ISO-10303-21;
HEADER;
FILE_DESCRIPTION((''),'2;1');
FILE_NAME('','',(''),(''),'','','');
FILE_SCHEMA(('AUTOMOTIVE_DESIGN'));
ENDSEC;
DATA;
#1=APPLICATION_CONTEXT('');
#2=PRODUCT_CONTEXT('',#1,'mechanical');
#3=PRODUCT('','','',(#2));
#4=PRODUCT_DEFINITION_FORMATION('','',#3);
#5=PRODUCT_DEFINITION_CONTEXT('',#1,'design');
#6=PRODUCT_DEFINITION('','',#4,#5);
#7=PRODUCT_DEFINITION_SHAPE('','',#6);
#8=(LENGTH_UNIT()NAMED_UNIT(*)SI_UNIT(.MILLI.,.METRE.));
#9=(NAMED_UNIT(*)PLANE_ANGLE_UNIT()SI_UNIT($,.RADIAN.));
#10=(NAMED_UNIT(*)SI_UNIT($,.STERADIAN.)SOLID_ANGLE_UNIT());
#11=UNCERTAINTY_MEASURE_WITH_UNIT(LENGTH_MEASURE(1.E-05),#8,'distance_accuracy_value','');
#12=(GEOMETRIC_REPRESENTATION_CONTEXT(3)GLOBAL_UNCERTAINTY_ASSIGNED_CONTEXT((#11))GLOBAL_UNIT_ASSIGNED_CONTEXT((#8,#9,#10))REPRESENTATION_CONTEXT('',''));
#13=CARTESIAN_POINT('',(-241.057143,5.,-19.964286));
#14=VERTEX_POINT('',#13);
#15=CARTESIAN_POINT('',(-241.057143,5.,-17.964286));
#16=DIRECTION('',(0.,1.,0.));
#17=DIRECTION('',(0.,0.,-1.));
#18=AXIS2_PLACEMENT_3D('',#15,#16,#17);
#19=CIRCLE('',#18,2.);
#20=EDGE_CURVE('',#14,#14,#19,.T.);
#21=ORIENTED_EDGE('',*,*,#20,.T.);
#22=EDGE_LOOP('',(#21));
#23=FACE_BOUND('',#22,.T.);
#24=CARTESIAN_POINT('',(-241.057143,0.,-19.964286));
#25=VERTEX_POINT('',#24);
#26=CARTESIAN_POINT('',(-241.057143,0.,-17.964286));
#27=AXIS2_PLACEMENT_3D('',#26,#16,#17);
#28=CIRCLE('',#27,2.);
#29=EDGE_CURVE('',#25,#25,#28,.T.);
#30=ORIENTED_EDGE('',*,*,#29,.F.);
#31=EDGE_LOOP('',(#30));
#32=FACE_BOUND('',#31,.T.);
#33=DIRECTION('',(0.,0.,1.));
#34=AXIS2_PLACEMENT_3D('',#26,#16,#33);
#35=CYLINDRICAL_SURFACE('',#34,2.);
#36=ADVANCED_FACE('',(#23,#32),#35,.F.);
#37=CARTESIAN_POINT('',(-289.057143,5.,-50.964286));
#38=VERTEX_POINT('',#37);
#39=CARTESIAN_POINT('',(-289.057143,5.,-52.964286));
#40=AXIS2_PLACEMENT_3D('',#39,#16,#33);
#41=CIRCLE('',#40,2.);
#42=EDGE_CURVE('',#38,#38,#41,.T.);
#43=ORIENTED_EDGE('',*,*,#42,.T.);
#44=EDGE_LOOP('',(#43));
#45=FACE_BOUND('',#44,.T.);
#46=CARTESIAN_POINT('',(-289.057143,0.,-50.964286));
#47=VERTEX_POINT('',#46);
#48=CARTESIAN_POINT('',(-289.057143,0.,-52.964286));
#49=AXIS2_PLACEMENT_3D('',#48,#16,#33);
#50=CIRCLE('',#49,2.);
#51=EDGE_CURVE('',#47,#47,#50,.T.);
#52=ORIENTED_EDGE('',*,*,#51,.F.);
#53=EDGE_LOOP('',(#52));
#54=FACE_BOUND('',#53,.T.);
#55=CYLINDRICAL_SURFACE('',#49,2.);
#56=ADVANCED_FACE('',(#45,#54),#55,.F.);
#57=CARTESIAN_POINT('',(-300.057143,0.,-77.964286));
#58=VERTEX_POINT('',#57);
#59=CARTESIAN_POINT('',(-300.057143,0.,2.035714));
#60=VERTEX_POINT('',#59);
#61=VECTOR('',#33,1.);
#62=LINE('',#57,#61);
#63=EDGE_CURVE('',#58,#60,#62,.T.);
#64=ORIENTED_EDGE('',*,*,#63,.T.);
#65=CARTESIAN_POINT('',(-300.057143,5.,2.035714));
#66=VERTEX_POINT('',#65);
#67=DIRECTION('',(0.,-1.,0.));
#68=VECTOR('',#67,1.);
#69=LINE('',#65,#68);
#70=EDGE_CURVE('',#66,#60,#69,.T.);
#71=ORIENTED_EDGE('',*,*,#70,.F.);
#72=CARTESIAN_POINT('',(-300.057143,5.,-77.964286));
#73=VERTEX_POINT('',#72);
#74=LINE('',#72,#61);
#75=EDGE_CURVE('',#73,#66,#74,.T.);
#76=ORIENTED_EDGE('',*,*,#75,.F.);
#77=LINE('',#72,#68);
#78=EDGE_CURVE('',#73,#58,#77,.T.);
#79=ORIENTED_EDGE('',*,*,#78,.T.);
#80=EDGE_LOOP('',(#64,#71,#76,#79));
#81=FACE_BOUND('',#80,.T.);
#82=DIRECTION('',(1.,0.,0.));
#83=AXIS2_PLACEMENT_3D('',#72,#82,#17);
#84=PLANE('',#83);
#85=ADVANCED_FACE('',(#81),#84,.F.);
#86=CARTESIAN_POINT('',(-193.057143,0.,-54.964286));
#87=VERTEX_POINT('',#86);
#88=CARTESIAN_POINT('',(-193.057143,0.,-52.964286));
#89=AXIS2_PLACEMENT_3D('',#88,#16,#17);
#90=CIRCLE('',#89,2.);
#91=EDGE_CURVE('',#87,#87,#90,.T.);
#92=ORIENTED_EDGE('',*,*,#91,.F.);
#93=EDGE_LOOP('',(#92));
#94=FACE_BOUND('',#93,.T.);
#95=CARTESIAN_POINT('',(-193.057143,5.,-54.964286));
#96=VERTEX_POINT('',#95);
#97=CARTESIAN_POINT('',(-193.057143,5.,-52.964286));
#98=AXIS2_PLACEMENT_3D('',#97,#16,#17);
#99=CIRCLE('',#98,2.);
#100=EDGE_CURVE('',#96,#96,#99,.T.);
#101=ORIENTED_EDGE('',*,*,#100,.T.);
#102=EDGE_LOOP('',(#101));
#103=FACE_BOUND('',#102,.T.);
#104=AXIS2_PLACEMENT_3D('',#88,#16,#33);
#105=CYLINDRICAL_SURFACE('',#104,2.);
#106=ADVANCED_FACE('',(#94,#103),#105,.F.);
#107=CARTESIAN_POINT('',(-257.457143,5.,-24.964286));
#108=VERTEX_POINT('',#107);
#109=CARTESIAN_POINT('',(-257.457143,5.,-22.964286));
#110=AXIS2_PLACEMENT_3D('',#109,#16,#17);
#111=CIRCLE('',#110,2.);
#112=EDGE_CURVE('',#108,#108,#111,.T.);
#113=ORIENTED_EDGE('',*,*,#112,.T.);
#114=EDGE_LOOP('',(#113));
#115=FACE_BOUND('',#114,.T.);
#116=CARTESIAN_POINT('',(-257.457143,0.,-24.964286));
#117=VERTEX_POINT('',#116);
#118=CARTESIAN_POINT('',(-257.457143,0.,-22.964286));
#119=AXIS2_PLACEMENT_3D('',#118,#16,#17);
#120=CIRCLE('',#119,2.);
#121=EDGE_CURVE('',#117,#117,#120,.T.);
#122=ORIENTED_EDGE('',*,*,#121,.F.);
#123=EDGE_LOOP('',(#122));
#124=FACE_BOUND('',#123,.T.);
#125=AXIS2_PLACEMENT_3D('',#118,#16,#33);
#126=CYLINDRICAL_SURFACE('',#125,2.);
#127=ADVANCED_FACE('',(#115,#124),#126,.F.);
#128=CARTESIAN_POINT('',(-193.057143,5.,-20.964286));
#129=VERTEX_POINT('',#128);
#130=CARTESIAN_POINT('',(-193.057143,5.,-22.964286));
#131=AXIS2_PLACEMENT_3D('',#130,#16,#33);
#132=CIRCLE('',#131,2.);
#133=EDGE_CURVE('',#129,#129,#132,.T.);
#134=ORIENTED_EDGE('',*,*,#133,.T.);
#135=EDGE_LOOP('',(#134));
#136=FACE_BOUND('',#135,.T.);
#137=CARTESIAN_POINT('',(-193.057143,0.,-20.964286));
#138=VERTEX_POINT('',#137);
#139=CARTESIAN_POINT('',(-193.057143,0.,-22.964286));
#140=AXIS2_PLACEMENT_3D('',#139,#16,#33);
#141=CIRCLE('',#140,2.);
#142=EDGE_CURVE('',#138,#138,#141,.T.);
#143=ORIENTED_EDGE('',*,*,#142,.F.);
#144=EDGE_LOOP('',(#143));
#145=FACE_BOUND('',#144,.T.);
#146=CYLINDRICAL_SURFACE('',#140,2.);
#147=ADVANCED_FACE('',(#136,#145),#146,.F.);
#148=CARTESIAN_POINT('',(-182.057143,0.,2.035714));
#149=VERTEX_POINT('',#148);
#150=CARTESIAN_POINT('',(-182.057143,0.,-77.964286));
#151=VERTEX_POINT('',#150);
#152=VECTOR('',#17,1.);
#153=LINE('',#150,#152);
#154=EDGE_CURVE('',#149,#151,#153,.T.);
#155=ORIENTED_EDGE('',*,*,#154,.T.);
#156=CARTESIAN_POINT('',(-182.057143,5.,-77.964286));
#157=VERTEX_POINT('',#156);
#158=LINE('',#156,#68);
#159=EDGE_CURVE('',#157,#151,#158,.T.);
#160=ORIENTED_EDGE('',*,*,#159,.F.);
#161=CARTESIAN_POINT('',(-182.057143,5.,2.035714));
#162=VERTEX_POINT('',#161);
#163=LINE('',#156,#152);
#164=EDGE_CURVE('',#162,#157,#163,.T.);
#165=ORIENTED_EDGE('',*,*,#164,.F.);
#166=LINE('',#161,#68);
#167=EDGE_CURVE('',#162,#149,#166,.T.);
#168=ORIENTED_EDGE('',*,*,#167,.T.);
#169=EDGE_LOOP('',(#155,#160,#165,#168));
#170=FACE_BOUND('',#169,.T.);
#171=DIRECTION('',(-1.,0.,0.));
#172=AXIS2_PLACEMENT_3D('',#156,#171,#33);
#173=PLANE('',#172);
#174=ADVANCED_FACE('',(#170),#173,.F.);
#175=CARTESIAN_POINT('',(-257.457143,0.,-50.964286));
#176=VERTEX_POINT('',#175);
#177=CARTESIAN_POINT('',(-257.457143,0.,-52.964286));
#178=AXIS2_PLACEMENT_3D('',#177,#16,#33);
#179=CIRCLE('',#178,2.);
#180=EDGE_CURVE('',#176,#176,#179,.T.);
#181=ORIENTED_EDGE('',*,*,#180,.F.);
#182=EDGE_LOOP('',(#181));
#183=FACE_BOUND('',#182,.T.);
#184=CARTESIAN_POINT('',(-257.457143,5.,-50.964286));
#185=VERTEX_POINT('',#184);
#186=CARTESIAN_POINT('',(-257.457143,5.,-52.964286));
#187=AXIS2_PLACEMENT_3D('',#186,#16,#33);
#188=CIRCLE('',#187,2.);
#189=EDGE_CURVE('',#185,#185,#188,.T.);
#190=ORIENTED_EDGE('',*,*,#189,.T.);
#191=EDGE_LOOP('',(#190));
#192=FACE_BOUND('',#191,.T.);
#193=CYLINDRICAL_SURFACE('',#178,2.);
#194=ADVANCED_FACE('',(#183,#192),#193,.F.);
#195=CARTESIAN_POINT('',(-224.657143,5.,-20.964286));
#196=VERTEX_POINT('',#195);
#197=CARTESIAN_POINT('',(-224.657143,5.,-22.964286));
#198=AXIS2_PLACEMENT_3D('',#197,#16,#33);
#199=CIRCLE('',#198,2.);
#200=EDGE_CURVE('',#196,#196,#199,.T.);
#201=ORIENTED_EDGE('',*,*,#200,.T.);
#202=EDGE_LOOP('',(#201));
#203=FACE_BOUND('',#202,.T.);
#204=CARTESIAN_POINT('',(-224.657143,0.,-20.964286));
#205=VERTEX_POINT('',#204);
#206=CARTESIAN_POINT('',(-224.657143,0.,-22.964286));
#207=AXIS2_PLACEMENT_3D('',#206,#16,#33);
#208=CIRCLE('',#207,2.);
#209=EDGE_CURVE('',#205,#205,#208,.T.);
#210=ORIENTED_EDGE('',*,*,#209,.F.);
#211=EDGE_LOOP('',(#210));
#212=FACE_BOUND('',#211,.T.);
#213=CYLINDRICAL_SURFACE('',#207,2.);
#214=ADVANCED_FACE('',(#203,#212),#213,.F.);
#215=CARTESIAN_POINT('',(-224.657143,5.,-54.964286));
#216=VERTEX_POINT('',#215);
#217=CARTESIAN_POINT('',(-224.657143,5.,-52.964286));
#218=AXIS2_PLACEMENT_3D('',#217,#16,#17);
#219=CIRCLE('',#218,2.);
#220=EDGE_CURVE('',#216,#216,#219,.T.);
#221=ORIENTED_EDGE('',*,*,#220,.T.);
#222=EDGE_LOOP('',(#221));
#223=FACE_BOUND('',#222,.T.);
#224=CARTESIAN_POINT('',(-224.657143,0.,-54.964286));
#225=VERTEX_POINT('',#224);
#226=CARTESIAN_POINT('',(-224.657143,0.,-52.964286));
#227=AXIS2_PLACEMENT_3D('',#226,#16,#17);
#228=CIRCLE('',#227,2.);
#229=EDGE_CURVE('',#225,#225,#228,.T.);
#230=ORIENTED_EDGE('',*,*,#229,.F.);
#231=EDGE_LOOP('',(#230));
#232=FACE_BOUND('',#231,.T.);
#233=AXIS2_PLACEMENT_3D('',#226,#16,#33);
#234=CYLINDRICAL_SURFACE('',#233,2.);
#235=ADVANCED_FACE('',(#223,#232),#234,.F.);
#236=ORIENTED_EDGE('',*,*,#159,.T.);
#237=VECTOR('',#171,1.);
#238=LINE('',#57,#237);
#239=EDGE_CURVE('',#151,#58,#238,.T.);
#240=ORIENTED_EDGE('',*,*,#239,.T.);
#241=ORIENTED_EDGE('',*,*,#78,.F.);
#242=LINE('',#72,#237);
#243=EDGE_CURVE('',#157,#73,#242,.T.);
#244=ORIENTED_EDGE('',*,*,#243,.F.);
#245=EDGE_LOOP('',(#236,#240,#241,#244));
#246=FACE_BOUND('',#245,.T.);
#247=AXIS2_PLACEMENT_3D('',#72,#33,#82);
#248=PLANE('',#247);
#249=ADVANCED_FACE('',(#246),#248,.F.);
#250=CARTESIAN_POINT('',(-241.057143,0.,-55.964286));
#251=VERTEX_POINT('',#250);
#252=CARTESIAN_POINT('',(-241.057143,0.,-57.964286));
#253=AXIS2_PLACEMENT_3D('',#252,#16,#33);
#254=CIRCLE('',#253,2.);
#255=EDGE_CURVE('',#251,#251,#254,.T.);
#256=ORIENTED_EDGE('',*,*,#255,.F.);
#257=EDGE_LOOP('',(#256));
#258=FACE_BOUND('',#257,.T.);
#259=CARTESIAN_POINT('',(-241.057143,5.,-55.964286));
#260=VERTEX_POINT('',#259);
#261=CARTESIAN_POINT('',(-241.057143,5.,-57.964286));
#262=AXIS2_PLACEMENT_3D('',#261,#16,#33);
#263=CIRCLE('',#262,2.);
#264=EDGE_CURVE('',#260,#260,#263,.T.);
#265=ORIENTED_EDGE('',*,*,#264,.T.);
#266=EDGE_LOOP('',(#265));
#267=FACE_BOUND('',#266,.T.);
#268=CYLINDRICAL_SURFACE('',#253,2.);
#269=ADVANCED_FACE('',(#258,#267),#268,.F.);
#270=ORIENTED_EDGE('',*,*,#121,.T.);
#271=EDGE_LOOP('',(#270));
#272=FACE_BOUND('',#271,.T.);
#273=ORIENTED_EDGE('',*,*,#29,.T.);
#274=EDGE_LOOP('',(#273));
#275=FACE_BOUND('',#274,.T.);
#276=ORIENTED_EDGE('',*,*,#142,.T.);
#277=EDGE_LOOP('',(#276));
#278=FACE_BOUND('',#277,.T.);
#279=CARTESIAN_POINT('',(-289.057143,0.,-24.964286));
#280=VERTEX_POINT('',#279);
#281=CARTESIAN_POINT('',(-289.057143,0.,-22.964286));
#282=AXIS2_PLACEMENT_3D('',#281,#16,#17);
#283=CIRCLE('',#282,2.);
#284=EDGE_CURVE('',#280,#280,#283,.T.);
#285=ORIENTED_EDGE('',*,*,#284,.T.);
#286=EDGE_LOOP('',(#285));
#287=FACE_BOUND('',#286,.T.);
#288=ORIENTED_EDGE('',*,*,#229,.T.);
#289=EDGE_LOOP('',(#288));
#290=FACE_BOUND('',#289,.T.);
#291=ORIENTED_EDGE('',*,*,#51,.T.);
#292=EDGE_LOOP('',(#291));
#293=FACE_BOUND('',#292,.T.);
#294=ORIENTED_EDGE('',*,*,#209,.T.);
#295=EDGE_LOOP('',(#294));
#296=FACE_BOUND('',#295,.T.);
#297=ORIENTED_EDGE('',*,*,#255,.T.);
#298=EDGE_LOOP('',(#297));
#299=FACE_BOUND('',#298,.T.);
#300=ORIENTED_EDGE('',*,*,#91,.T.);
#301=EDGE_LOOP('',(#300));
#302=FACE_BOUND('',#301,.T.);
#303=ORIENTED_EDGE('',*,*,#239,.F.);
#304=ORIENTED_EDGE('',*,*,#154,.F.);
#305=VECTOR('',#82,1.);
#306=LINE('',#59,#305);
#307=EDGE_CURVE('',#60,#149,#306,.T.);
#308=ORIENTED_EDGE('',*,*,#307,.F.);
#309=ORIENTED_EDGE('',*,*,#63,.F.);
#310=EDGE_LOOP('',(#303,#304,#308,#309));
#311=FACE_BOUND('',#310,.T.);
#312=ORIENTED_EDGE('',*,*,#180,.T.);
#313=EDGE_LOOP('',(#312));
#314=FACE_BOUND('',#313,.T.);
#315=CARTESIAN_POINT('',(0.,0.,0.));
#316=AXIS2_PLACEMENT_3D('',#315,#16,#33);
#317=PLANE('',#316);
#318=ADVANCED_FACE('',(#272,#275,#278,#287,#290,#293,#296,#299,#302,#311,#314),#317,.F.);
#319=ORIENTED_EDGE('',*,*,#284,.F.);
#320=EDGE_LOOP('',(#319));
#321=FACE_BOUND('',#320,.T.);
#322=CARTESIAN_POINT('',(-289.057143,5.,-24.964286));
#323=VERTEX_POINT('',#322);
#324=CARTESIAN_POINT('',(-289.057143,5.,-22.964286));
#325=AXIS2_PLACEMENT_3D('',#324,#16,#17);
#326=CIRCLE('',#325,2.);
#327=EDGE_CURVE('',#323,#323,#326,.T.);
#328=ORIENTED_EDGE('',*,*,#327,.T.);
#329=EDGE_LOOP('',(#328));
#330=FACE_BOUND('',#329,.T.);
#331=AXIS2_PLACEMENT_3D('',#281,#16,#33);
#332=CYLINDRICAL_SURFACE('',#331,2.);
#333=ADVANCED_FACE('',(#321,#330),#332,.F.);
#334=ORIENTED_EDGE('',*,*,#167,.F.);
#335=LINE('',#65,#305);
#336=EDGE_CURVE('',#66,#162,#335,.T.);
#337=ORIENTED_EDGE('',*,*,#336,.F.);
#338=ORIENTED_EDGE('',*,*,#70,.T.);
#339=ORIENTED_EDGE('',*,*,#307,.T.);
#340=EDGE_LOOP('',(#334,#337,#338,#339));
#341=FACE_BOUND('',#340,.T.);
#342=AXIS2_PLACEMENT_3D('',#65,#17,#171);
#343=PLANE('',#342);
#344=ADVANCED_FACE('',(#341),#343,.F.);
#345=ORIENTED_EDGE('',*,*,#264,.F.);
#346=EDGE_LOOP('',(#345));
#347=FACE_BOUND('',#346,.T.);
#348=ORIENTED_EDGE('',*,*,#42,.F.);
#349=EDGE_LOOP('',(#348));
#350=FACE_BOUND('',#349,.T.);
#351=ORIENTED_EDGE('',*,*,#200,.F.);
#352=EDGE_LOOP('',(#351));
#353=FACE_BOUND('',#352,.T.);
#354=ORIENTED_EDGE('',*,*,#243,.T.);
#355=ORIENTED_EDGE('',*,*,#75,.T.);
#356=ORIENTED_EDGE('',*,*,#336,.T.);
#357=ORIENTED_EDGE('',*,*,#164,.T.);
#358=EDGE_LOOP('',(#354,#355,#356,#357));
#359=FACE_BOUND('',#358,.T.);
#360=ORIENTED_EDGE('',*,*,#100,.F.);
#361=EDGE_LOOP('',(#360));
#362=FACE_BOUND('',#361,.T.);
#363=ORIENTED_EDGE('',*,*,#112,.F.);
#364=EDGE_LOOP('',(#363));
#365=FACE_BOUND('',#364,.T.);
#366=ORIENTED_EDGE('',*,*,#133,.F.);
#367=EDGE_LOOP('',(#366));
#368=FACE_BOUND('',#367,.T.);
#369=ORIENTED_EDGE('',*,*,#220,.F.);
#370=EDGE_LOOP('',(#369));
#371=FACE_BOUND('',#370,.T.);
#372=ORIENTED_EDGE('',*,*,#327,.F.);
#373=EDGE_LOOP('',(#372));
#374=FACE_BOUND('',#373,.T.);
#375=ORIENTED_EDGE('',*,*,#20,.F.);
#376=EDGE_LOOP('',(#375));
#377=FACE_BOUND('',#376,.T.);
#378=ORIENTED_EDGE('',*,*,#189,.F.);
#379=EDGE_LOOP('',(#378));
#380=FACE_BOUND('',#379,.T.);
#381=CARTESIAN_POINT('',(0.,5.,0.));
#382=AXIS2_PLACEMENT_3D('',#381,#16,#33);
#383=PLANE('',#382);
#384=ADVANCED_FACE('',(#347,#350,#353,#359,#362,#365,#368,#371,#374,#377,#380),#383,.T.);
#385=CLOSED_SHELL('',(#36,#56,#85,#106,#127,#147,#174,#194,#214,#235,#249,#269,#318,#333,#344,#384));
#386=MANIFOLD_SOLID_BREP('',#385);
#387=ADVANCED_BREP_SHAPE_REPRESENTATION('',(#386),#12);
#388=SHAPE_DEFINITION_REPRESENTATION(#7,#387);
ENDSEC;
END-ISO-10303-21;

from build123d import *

# Parameters (mm, degrees)
SKETCH1_W           = 118
SKETCH1_H           = 80
BOSS_EXTRUDE1_DEPTH = 5
SKETCH2_R           = 2
CUT_EXTRUDE1_DEPTH  = 5


with BuildPart() as part:
    # Sketch1 → Boss-Extrude1 (new body)
    with BuildSketch(Plane(origin=(0, 0, 0), x_dir=(1, 0, 0), z_dir=(0, 1, 0))):
        with Locations((-241.057142857, 37.964285714)):
            Rectangle(SKETCH1_W, SKETCH1_H)
    extrude(amount=BOSS_EXTRUDE1_DEPTH)

    # Sketch2 → Cut-Extrude1 (cut)
    with BuildSketch(Plane(origin=(0, 5, 0), x_dir=(1, 0, 0), z_dir=(0, 1, 0))):
        with Locations(Location((-289.057142857, 52.964285714, 0), (0, 0, 270))):
            Circle(SKETCH2_R)
        with Locations(Location((-257.457142857, 52.964285714, 0), (0, 0, 270))):
            Circle(SKETCH2_R)
        with Locations(Location((-224.657142857, 52.964285714, 0), (0, 0, 90))):
            Circle(SKETCH2_R)
        with Locations(Location((-193.057142857, 52.964285714, 0), (0, 0, 90))):
            Circle(SKETCH2_R)
        with Locations(Location((-193.057142857, 22.964285714, 0), (0, 0, 270))):
            Circle(SKETCH2_R)
        with Locations(Location((-224.657142857, 22.964285714, 0), (0, 0, 270))):
            Circle(SKETCH2_R)
        with Locations(Location((-257.457142857, 22.964285714, 0), (0, 0, 90))):
            Circle(SKETCH2_R)
        with Locations(Location((-289.057142857, 22.964285714, 0), (0, 0, 90))):
            Circle(SKETCH2_R)
        with Locations(Location((-241.057142857, 57.964285714, 0), (0, 0, 270))):
            Circle(SKETCH2_R)
        with Locations(Location((-241.057142857, 17.964285714, 0), (0, 0, 90))):
            Circle(SKETCH2_R)
    extrude(amount=-CUT_EXTRUDE1_DEPTH, mode=Mode.SUBTRACT)


solid = part.part
